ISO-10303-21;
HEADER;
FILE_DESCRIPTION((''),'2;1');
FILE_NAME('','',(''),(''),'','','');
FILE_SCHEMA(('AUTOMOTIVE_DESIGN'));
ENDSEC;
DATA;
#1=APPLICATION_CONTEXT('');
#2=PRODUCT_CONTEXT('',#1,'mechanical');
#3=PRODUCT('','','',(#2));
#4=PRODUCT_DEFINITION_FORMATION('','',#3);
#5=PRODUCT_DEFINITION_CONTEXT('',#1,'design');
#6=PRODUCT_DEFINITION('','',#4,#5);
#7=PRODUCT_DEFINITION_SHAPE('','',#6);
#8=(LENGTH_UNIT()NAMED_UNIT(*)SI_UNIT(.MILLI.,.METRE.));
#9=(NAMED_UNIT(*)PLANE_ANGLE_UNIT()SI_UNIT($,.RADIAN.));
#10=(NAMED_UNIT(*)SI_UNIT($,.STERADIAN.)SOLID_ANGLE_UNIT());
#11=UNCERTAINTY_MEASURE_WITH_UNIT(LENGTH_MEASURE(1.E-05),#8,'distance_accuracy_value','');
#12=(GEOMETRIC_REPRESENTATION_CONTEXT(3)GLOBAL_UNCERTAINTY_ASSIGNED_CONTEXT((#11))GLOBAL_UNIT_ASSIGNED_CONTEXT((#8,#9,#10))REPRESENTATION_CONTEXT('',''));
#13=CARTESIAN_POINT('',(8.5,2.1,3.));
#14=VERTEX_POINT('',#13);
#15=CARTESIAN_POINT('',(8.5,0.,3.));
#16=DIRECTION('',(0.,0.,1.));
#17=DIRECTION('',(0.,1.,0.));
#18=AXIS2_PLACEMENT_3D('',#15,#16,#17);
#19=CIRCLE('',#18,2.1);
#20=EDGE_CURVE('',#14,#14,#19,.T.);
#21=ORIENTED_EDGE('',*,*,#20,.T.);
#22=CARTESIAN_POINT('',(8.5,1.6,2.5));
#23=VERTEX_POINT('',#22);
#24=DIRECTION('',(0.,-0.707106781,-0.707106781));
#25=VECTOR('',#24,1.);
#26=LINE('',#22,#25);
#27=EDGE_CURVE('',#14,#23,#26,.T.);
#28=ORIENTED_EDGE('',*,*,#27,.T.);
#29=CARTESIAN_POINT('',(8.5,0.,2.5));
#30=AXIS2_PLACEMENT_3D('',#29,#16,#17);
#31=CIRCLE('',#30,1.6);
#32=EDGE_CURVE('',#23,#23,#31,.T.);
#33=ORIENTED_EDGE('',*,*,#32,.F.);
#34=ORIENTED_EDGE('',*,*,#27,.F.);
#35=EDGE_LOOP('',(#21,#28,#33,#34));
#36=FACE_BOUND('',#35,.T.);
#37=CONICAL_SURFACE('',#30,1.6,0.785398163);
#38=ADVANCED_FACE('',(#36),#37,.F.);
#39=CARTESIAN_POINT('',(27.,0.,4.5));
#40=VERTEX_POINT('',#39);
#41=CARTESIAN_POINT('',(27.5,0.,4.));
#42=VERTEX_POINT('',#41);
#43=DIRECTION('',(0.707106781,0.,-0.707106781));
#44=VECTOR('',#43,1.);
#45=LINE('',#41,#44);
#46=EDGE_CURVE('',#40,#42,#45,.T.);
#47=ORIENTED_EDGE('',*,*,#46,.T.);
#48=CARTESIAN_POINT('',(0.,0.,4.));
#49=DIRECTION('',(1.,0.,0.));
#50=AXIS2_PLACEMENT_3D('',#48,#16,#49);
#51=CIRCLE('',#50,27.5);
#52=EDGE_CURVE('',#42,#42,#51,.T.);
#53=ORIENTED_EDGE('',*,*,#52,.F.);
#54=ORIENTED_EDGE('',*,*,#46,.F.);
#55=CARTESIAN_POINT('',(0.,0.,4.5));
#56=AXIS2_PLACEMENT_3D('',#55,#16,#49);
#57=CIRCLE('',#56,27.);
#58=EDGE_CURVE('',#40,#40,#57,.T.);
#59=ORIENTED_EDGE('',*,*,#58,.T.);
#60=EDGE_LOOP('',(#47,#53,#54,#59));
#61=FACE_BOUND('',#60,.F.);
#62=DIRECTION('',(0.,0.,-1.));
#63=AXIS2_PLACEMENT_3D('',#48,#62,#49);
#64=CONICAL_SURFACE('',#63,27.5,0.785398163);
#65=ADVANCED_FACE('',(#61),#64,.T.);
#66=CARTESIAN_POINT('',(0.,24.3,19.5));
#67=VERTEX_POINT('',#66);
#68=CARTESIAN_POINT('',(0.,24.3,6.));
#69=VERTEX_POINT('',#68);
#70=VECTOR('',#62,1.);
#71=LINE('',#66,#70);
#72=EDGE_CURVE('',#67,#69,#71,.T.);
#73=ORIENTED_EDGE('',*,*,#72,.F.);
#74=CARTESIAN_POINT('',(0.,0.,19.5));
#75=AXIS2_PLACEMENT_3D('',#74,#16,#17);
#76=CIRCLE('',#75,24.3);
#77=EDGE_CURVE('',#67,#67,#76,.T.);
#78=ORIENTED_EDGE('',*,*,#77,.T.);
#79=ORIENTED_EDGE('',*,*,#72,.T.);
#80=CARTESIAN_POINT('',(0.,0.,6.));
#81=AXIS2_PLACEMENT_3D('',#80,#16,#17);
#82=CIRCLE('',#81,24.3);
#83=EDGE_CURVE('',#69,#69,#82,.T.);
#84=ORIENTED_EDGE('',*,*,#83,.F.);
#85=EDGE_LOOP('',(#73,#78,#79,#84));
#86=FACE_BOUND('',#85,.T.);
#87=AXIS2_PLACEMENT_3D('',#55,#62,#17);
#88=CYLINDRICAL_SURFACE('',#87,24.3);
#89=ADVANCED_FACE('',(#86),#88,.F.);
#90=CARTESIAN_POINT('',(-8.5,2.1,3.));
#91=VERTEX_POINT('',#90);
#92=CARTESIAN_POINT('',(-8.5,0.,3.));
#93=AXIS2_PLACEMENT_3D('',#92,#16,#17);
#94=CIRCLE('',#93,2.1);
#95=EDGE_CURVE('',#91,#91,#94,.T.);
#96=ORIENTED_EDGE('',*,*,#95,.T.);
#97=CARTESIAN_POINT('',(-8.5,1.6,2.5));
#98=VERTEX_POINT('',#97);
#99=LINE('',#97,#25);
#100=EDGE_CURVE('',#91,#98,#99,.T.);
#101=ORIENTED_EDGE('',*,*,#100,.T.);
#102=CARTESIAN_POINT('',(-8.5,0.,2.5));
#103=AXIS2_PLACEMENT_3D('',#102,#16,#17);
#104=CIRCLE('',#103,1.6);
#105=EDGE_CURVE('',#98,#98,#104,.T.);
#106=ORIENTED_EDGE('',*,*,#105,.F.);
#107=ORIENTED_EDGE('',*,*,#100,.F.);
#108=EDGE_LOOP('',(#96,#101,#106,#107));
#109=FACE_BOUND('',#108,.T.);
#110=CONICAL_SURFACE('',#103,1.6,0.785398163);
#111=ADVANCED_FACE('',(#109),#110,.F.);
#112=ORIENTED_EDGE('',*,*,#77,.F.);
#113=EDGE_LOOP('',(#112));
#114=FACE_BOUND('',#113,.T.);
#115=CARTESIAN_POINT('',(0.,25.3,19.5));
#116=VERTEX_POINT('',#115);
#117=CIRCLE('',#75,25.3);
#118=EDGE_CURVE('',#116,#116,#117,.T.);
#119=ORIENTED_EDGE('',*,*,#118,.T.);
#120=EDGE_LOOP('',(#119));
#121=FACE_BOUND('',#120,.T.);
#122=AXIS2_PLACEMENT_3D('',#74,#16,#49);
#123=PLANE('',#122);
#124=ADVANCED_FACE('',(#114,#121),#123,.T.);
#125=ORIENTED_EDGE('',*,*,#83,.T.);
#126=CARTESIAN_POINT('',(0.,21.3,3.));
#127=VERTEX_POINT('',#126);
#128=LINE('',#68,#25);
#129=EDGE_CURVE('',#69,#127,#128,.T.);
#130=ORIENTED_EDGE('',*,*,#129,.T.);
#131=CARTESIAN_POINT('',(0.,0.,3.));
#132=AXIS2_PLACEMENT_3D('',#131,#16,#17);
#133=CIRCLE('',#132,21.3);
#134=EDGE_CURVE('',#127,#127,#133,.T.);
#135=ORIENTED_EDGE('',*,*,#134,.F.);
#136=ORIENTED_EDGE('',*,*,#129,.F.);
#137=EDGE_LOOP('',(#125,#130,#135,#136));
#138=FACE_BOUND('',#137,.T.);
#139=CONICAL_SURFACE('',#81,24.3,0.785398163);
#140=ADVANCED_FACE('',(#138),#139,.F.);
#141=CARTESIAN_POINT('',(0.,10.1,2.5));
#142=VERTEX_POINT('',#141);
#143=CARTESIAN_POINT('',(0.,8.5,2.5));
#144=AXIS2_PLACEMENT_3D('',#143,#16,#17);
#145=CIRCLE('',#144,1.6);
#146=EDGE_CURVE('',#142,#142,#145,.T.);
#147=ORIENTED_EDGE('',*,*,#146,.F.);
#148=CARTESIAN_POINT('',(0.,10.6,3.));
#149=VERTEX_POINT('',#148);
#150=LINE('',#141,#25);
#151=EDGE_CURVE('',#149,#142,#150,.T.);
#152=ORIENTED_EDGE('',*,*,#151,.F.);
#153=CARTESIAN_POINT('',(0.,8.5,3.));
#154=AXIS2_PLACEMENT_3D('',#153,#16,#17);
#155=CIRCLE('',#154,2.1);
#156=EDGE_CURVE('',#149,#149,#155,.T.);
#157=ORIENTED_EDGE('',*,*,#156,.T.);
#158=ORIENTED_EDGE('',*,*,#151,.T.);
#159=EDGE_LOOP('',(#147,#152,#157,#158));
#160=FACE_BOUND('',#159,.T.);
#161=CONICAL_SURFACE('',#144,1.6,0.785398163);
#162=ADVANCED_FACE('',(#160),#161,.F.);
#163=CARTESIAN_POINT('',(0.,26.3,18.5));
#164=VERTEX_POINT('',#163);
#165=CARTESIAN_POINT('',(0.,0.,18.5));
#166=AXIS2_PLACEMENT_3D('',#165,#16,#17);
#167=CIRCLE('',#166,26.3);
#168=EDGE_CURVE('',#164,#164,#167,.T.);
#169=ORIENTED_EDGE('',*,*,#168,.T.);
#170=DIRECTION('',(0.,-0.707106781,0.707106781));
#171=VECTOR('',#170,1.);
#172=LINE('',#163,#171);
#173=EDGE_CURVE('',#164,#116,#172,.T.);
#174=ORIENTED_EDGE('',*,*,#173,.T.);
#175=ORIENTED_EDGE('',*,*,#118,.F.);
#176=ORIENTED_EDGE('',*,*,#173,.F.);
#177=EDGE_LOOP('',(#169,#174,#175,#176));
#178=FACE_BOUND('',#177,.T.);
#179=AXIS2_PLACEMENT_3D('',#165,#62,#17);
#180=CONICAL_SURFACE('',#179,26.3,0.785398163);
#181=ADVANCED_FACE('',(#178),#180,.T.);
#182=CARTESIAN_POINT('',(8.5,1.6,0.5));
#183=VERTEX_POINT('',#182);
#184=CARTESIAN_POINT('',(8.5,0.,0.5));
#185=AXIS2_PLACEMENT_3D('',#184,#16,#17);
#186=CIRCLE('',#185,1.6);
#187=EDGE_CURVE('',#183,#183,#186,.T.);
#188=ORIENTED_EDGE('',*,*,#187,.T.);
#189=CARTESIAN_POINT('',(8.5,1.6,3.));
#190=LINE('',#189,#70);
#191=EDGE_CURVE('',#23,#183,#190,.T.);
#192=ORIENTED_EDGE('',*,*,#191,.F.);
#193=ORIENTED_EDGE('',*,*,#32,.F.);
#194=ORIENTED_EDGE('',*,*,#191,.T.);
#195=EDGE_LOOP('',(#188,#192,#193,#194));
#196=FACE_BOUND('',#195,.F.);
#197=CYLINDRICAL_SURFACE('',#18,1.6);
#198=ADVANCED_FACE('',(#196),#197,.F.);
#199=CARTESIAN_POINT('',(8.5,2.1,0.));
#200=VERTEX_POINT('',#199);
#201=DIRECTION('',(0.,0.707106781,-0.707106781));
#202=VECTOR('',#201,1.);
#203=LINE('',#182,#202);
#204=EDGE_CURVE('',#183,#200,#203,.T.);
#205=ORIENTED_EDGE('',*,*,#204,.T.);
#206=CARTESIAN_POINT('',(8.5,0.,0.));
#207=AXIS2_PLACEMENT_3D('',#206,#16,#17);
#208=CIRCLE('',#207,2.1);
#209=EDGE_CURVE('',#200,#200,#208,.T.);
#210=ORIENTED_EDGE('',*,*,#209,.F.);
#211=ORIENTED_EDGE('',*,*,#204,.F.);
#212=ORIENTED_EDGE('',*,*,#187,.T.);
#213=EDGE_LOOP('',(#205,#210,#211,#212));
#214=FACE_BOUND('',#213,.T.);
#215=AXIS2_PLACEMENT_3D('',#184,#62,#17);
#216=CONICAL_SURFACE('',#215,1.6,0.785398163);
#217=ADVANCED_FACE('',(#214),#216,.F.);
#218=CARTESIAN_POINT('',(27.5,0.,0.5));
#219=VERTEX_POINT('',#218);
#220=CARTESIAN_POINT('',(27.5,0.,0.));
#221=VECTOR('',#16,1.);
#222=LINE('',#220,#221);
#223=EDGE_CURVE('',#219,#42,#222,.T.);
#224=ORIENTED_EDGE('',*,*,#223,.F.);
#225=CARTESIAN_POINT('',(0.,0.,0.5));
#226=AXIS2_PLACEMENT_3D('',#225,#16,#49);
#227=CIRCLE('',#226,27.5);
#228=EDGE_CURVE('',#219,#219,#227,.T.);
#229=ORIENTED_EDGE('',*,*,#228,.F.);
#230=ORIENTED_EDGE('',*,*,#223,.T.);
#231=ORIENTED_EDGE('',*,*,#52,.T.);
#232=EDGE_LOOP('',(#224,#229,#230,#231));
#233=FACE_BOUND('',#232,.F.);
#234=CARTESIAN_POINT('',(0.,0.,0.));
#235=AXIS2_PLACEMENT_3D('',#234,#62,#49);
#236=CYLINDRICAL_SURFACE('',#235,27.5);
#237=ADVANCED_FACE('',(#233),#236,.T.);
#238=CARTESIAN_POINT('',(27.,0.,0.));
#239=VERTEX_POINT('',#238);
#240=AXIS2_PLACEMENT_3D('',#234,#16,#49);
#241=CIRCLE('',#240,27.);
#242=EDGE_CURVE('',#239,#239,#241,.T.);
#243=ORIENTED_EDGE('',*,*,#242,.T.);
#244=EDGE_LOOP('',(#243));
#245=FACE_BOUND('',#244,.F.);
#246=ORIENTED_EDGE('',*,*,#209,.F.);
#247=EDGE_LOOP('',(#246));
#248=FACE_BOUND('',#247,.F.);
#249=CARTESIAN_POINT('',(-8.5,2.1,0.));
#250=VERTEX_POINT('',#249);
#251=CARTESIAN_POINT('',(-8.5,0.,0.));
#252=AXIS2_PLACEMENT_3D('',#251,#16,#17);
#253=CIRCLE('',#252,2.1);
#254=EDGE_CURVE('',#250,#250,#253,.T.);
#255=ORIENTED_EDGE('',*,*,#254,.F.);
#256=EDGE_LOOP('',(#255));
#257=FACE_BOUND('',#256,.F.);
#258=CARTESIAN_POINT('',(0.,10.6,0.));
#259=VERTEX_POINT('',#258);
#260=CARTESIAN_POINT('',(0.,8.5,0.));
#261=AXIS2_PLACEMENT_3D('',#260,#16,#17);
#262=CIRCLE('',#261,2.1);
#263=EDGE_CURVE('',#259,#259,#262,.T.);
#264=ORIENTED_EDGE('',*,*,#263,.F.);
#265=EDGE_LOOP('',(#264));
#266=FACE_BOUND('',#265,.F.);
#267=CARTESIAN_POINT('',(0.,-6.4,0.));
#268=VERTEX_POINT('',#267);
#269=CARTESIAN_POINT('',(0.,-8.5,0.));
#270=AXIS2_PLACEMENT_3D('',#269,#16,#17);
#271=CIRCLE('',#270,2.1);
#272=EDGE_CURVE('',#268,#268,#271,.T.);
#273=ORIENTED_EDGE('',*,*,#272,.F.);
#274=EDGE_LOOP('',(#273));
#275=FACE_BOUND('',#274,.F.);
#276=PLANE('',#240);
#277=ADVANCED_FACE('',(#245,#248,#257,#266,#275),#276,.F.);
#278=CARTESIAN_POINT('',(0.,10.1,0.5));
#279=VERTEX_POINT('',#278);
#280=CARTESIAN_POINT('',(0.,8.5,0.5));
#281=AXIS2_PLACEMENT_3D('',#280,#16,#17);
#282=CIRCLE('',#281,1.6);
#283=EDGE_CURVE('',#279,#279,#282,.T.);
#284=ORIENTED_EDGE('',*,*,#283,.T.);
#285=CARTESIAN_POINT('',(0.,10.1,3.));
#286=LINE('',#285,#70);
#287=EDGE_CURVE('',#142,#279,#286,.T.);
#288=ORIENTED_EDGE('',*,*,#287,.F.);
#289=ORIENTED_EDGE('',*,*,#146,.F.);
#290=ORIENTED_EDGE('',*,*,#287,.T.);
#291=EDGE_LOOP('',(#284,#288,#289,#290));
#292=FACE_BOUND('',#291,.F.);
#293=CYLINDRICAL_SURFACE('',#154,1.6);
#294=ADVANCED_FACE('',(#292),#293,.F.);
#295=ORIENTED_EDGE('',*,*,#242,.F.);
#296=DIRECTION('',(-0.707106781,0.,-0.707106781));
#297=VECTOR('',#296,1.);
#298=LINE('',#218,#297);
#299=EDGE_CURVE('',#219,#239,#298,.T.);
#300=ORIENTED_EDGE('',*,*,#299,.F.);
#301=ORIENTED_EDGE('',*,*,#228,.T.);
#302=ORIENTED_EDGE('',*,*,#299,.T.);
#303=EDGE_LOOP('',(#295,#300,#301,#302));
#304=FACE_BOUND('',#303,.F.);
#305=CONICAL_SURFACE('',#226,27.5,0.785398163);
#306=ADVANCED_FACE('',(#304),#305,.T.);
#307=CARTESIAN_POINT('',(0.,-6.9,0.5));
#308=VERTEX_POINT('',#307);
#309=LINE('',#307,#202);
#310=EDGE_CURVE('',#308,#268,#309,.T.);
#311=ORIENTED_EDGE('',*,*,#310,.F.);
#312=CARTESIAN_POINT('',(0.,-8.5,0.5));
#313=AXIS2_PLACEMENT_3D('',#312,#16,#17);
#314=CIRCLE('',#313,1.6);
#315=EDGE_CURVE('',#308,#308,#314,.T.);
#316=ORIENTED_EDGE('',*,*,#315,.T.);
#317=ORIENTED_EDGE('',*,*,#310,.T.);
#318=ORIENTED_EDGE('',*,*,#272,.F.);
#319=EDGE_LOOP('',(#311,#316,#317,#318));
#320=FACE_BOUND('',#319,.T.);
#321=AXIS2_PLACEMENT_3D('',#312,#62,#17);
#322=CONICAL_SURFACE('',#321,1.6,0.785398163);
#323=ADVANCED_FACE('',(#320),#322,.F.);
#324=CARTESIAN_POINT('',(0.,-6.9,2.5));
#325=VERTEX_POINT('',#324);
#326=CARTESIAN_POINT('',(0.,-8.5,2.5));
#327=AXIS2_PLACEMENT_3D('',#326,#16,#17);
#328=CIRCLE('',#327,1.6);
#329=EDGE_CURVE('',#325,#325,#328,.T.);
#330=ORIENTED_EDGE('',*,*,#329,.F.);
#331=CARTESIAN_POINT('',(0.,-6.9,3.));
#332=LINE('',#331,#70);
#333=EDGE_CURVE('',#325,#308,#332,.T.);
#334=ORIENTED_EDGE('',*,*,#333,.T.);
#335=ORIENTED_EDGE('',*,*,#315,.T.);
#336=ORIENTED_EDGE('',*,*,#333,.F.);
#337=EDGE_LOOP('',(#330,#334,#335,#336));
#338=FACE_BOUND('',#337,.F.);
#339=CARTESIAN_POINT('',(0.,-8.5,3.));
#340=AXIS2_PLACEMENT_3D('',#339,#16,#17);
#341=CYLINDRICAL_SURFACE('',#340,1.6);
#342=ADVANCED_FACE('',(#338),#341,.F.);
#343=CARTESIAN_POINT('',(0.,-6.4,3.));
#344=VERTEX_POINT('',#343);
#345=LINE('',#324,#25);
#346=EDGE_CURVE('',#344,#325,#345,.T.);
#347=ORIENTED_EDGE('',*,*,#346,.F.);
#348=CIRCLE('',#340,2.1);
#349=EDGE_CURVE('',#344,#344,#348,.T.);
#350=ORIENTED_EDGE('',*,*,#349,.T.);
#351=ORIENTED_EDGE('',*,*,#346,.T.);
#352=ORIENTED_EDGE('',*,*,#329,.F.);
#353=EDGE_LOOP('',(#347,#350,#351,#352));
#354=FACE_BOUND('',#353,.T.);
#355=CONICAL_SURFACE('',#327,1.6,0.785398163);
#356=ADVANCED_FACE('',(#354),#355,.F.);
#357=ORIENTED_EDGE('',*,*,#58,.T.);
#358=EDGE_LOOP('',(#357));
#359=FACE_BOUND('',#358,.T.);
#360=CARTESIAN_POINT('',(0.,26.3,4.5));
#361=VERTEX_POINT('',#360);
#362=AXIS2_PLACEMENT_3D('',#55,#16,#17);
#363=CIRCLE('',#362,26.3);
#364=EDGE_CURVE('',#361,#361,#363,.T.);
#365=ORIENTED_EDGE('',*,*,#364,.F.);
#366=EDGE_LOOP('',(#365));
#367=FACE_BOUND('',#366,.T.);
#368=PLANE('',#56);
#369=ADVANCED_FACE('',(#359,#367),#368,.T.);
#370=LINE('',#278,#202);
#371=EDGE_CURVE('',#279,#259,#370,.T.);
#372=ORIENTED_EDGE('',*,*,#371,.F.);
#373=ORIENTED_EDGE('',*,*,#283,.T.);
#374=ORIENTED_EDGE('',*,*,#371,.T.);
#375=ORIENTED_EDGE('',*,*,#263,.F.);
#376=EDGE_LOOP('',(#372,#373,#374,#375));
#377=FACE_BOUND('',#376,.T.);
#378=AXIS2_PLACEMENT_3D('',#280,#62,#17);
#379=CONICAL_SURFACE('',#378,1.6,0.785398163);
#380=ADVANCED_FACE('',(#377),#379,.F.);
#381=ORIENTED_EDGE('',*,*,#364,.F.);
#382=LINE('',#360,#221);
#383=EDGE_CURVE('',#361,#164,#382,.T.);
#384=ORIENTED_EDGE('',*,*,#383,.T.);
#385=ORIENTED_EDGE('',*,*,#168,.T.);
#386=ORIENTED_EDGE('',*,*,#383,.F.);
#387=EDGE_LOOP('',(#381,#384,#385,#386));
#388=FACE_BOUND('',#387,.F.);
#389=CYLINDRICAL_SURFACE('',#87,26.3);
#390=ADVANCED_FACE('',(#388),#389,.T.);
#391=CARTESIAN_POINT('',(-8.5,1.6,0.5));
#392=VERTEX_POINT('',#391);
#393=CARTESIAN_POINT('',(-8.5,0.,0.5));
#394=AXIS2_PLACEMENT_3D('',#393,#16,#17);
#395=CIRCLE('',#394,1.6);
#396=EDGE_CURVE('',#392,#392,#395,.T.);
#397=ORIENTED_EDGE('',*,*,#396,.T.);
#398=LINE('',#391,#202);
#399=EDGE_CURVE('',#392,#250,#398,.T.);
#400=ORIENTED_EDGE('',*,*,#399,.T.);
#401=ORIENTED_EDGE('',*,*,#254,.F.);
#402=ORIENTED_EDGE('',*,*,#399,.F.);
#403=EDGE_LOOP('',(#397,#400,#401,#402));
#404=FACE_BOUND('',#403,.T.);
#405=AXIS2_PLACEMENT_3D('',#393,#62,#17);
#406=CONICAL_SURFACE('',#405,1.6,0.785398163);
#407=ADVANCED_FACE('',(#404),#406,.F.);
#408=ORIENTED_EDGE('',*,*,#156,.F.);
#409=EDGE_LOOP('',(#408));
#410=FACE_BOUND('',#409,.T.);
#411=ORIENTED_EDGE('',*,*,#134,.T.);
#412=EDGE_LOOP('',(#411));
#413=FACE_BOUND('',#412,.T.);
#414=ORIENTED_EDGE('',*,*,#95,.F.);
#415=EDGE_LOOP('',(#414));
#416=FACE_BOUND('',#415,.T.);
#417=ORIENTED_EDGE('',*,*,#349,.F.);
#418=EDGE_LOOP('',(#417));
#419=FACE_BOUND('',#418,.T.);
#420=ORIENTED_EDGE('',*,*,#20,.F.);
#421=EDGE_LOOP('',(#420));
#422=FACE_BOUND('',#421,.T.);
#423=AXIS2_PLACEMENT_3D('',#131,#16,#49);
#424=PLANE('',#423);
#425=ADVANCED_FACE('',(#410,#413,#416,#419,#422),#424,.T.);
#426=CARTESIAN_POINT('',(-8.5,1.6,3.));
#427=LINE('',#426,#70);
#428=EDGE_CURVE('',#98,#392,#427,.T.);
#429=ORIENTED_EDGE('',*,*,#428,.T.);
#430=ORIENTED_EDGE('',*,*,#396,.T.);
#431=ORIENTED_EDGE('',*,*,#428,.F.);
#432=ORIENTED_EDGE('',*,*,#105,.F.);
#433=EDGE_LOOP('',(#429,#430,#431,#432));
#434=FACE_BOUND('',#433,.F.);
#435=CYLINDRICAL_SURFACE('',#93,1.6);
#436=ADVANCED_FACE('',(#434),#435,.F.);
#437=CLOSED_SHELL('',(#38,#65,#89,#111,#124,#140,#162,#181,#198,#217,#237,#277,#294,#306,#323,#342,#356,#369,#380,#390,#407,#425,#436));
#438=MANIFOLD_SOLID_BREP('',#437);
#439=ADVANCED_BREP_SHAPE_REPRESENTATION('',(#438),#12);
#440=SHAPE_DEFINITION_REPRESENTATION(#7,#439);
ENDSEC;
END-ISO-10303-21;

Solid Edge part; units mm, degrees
sketch "Sketch1" plane through (0, 0, 0) normal (0, 0, 1) x (1, 0, 0)
  circle A0 centre (0, 0) radius 27.5
  dimension "D1" = 55
extrude "Protrusion1" add sketch "Sketch1" along normal blind 4.5
sketch "Sketch2" plane through (0, 0, 4.5) normal (0, 0, 1) x (0, 1, 0)
  circle A0 centre (0, 0) radius 24.3
  circle A1 centre (0, 0) radius 26.3
extrude "ExtrudedProtrusion_2" add sketch "Sketch2" along normal blind 15
sketch "Sketch3" plane through (0, 0, 4.5) normal (0, 0, 1) x (0, 1, 0)
  circle A0 centre (0, 0) radius 24.3
extrude "ExtrudedCutout_1" cut sketch "Sketch3" against normal blind 1.5
chamfer "Letörés_1" distance 1 angle 45 1 edges at (0, -26.3, 19.5)
chamfer "Letörés_2" distance 0.5 angle 45 2 edges at (-27.5, 0, 4.5) (-27.5, 0, 0)
sketch "Sketch4" plane through (0, 0, 3) normal (0, 0, 1) x (0, 1, 0)
  circle A0 centre (0, -8.5) radius 1.6
  circle A1 centre (-8.5, 0) radius 1.6
  circle A2 centre (8.5, 0) radius 1.6
  circle A3 centre (0, 8.5) radius 1.6
  dimension "D1" = 3.2
  dimension "D2" = 17
  dimension "D3" = 17
  dimension "D4" = 8.5
  dimension "D5" = 8.5
extrude "ExtrudedCutout_2" cut sketch "Sketch4" against normal blind 7
chamfer "Letörés_3" distance 3 angle 45 1 edges at (0, -24.3, 3)
chamfer "Letörés_4" distance 0.5 angle 45 8 edges at (-6.9, 0, 0) (-8.5, -1.6, 3) (1.6, 8.5, 0) (0, 6.9, 3) (1.6, -8.5, 0) (0, -10.1, 3) (10.1, 0, 0) (8.5, -1.6, 3)
